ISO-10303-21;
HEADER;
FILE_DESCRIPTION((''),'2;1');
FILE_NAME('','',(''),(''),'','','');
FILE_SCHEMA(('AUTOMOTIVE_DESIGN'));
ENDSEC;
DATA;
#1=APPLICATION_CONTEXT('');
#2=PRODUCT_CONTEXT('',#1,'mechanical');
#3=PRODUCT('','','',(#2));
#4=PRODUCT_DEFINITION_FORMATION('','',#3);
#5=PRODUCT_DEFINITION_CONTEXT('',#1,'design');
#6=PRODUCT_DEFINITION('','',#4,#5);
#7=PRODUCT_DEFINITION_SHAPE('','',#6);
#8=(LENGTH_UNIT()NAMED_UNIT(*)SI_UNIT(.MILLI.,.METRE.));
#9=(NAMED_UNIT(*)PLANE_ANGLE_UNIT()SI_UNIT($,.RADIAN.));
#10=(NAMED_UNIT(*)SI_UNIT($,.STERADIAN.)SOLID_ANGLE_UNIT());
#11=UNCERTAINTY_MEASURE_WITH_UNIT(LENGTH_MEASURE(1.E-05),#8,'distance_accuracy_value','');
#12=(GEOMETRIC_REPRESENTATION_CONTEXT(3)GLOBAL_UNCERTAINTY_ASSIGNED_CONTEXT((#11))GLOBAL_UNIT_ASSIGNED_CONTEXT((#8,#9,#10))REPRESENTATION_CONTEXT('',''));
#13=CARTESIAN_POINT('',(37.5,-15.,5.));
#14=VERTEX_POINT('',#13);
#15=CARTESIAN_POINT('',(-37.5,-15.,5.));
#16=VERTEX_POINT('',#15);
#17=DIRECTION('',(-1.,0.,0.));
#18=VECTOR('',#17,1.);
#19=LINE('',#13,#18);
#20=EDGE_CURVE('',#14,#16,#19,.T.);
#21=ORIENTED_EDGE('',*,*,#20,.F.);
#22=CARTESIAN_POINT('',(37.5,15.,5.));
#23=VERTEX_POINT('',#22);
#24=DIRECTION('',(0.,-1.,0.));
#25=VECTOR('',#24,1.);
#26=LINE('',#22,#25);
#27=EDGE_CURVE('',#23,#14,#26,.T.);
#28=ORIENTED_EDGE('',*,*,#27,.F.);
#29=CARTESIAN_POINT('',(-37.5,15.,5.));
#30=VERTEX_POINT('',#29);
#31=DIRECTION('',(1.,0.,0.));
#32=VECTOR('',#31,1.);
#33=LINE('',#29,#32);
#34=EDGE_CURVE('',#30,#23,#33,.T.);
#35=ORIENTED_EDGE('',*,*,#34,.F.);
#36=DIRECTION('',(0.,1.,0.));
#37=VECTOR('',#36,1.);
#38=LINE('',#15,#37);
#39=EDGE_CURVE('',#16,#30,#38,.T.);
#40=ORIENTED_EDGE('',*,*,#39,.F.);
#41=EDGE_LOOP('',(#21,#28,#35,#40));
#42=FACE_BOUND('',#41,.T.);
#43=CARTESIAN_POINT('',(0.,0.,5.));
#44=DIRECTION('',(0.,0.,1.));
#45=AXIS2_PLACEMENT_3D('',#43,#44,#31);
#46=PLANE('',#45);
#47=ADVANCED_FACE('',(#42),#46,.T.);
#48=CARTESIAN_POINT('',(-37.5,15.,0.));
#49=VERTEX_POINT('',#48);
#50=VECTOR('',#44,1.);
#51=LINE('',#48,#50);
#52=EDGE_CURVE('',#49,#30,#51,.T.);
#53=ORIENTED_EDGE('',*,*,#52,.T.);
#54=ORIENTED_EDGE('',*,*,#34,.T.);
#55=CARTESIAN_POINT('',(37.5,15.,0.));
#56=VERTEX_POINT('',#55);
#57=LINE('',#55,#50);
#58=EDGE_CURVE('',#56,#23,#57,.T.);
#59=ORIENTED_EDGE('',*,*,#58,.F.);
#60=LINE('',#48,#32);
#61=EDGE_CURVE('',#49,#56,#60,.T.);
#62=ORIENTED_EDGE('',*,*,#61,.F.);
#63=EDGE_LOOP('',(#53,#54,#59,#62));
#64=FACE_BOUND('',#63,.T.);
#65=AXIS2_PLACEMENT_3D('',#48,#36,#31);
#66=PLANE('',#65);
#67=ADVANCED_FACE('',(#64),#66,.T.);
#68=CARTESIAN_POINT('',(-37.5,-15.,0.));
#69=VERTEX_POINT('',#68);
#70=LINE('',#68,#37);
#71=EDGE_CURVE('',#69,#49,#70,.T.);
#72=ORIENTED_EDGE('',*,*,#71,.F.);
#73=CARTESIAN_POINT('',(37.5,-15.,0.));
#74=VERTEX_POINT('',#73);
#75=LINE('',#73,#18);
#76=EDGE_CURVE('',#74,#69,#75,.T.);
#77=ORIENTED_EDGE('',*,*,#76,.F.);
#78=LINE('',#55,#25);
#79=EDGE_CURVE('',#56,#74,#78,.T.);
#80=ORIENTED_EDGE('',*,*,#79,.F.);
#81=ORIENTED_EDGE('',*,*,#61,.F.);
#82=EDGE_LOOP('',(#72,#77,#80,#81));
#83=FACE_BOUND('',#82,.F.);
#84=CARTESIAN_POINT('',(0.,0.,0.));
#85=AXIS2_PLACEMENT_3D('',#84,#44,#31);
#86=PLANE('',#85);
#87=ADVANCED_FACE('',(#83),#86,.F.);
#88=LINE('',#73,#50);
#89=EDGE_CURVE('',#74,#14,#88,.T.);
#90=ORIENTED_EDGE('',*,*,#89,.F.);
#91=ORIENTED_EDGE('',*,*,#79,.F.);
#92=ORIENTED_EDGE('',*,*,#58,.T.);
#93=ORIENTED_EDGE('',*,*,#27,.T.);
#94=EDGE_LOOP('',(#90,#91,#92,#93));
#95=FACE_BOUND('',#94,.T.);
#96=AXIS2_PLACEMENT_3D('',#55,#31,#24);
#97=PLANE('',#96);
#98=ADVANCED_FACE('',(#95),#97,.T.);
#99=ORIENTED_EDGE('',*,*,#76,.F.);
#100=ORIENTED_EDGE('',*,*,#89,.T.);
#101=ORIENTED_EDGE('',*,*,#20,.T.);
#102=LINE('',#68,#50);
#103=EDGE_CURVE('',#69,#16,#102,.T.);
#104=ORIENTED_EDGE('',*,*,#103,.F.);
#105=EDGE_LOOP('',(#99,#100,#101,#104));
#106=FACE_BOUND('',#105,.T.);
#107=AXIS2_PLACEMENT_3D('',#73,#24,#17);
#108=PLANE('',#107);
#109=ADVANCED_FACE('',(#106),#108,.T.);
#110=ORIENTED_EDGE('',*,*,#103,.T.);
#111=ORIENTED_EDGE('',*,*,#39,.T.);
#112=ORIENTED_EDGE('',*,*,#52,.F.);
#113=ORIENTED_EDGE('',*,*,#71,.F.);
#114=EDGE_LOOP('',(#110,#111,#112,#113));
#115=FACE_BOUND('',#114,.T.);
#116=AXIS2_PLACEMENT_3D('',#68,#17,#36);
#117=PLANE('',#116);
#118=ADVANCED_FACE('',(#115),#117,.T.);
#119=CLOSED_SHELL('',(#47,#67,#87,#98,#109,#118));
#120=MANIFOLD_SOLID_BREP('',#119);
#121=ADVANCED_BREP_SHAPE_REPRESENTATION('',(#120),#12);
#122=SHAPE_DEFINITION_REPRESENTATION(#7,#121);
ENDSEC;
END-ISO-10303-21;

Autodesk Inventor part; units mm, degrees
ref_plane "YZ Plane" through (0, 0, 0) normal (1, 0, 0) x (0, 1, 0)
ref_plane "XZ Plane" through (0, 0, 0) normal (0, 1, 0) x (-1, 0, 0)
ref_plane "XY Plane" through (0, 0, 0) normal (0, 0, 1) x (1, 0, 0)
sketch "Sketch1" plane through (0, 0, 0) normal (0, 0, 1) x (1, 0, 0)
  line L0 (-37.5, 15) -> (37.5, 15)
  line L1 (37.5, 15) -> (37.5, -15)
  line L2 (37.5, -15) -> (-37.5, -15)
  line L3 (-37.5, -15) -> (-37.5, 15)
  line L4 (-37.5, 15) -> (37.5, -15) construction
  line L5 (37.5, 15) -> (-37.5, -15) construction
  point P0 (0, 0)
  dimension "d0" = 75
  dimension "d1" = 30
extrude "Extrusion1" add sketch "Sketch1" along normal blind 5
properties part number "Divisória-7,5cm"
